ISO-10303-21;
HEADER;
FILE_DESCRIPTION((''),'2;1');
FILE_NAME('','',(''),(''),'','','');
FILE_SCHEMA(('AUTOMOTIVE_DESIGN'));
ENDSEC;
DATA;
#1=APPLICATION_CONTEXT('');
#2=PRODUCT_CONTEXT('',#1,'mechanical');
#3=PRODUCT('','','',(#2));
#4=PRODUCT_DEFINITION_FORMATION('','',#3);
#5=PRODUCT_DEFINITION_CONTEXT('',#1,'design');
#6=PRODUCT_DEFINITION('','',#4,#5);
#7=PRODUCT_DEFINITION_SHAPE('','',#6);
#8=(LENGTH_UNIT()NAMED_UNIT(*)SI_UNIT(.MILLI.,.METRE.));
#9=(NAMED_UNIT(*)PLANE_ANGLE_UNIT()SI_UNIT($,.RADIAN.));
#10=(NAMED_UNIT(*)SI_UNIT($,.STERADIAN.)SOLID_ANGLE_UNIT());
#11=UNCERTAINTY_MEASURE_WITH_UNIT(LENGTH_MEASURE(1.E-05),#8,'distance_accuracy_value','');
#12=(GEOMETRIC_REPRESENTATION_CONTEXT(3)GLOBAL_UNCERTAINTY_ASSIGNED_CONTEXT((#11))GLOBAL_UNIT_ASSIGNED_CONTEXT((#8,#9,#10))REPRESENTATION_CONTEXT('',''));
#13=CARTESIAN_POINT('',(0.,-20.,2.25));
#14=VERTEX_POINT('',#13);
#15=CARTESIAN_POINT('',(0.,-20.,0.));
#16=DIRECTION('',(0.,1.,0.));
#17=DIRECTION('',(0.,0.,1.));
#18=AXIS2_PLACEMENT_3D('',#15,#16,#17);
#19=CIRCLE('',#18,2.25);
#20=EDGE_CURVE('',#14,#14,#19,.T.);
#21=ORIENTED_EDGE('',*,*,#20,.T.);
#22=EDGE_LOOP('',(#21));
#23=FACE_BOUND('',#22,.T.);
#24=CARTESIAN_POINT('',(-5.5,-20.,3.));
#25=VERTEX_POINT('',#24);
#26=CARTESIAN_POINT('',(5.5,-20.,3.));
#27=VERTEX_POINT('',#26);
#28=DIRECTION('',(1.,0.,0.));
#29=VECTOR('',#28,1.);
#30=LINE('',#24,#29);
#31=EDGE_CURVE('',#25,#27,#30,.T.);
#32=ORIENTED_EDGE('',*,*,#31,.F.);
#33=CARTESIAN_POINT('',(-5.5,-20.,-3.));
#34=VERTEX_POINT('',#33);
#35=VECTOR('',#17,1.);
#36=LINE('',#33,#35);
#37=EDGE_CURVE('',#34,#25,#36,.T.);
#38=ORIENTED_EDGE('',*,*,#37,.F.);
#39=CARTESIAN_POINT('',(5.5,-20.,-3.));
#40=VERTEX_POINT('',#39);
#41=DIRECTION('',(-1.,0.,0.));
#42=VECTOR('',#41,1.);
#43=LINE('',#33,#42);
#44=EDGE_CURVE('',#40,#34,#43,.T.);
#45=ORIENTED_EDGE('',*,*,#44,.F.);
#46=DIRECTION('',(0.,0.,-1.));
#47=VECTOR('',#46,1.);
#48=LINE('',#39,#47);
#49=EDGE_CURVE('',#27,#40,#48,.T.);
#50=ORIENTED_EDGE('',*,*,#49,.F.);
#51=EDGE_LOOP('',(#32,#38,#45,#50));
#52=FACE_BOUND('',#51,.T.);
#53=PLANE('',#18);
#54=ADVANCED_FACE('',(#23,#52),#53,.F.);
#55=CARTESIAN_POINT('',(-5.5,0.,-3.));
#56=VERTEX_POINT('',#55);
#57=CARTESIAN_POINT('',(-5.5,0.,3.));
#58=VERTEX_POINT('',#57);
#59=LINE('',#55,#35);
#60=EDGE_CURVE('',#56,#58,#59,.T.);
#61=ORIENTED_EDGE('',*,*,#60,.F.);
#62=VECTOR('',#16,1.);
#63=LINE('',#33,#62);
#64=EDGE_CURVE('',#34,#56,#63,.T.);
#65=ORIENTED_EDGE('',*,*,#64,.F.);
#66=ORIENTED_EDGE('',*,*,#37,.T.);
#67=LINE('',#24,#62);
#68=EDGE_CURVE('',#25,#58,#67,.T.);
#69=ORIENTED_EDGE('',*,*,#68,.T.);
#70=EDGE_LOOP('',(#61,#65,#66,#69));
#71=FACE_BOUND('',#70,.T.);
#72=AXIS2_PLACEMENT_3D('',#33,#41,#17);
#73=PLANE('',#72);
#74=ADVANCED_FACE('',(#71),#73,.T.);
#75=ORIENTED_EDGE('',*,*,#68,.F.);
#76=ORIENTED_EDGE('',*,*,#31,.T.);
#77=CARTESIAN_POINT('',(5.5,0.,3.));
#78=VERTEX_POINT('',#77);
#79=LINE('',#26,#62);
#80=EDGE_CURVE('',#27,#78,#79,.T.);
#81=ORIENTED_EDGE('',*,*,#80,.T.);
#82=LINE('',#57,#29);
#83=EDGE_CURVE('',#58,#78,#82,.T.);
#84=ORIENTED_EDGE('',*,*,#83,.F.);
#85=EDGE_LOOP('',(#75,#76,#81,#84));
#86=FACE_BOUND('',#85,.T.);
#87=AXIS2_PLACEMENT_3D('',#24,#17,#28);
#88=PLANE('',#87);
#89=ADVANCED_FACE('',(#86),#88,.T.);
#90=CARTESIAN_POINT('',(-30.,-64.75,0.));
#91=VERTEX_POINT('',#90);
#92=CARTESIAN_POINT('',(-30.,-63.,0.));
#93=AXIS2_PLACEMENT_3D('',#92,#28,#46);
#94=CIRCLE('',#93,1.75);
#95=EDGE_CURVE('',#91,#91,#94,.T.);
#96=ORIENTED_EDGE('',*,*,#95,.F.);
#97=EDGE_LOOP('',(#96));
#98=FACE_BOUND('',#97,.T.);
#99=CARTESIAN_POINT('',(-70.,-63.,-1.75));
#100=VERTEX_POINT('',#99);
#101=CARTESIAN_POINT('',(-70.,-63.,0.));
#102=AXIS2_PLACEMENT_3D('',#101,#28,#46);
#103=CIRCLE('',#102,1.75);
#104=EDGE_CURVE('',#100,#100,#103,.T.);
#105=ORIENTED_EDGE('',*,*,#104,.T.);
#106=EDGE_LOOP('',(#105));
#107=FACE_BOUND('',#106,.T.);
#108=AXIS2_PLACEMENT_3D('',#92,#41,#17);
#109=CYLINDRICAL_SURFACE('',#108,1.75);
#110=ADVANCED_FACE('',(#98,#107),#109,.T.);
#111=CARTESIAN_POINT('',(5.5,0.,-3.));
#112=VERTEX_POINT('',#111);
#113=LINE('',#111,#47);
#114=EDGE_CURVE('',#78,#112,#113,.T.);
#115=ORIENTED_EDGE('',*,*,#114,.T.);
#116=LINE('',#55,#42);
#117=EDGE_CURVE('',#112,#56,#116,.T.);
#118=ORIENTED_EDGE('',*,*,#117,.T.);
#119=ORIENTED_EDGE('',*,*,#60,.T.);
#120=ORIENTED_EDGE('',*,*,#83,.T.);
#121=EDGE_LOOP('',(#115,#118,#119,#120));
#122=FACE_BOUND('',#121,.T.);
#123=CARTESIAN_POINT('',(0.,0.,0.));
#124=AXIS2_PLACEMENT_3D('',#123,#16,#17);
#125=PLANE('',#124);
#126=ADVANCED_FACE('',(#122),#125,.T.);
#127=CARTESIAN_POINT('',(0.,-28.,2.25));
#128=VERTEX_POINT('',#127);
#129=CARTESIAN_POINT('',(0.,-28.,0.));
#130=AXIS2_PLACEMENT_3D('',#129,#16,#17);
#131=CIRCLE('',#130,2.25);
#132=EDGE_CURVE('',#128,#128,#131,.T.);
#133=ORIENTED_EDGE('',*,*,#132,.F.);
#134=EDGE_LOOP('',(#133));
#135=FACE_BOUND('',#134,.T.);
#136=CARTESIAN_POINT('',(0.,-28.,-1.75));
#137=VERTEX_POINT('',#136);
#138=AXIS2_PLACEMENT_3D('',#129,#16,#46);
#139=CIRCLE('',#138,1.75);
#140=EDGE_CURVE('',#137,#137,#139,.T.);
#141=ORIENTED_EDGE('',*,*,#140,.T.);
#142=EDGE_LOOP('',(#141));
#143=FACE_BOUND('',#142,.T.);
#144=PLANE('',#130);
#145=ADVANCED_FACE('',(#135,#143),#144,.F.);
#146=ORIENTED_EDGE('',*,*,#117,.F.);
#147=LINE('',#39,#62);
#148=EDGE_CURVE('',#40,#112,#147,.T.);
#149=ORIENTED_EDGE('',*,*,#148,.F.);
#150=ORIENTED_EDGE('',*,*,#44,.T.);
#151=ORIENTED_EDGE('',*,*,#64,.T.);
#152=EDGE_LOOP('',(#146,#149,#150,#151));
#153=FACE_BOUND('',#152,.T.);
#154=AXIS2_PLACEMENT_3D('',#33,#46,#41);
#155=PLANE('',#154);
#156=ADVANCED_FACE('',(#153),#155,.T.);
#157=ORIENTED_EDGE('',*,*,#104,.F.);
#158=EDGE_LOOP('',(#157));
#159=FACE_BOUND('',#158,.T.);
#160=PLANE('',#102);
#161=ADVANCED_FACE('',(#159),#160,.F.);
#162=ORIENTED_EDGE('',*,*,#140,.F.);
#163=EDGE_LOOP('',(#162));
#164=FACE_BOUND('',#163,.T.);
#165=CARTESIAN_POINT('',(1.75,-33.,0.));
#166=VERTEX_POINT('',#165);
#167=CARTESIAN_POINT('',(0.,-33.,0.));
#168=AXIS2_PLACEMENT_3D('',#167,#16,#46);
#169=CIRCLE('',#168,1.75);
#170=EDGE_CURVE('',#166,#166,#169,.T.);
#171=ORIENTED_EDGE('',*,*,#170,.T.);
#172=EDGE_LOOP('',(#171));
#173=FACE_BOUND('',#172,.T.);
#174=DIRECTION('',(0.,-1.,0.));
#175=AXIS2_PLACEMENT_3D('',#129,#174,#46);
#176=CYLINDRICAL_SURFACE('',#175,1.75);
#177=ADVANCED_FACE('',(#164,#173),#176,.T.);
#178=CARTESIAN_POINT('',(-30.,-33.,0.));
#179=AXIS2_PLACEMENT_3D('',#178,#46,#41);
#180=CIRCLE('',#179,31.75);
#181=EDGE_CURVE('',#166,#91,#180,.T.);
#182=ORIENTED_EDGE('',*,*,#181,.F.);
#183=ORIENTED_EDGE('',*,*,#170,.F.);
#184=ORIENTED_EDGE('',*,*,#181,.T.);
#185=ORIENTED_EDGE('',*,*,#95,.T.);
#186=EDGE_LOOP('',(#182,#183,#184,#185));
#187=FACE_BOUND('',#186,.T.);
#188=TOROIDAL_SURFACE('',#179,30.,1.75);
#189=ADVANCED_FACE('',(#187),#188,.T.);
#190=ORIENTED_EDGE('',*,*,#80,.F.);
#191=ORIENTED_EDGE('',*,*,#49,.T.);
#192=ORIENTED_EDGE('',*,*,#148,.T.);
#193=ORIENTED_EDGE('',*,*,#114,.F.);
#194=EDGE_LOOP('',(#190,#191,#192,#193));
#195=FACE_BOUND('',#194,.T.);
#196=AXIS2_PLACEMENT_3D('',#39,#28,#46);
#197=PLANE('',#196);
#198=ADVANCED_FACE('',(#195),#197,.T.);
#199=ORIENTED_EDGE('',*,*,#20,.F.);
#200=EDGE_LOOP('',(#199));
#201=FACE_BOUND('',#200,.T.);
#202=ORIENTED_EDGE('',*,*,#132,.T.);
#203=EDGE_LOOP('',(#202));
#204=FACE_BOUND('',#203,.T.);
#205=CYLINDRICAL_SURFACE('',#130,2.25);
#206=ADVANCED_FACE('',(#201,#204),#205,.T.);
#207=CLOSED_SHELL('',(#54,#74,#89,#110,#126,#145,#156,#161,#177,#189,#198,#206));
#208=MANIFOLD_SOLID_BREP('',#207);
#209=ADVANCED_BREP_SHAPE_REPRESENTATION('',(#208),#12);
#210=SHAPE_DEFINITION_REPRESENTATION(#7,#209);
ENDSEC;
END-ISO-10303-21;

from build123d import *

# Parameters (mm, degrees)
SKETCH1_W           = 11
SKETCH1_H           = 6
OVERMOULD_DEPTH     = 20
SKETCH2_R           = 2.25
STRAIN_RELIEF_DEPTH = 8
LEAD_PROFILE_R      = 1.75


with BuildPart() as part:
    # Sketch1 → Overmould (new body)
    with BuildSketch(Plane(origin=(0, 0, 0), x_dir=(1, 0, 0), z_dir=(0, 1, 0))):
        Rectangle(SKETCH1_W, SKETCH1_H)
    extrude(amount=-OVERMOULD_DEPTH)

    # Sketch2 → Strain_relief (add)
    with BuildSketch(Plane(origin=(0, -20, 0), x_dir=(1, 0, 0), z_dir=(0, 1, 0))):
        with Locations(Location((0, 0, 0), (0, 0, 270))):
            Circle(SKETCH2_R)
    extrude(amount=-STRAIN_RELIEF_DEPTH)

    # Lead: sweep along a path in Sketch3
    with BuildLine(Plane.XY) as lead_path:
        Line((0, -28), (0, -33))
        ThreePointArc((0, -33), (-8.786796564, -54.213203436), (-30, -63))
        Line((-30, -63), (-70, -63))
    # Lead profile (on start of the path) → Lead (sweep)
    with BuildSketch(Plane(origin=(0, -28, 0), x_dir=(0, 0, -1), z_dir=(0, -1, 0))):
        Circle(LEAD_PROFILE_R)
    sweep(path=lead_path.line)


solid = part.part
